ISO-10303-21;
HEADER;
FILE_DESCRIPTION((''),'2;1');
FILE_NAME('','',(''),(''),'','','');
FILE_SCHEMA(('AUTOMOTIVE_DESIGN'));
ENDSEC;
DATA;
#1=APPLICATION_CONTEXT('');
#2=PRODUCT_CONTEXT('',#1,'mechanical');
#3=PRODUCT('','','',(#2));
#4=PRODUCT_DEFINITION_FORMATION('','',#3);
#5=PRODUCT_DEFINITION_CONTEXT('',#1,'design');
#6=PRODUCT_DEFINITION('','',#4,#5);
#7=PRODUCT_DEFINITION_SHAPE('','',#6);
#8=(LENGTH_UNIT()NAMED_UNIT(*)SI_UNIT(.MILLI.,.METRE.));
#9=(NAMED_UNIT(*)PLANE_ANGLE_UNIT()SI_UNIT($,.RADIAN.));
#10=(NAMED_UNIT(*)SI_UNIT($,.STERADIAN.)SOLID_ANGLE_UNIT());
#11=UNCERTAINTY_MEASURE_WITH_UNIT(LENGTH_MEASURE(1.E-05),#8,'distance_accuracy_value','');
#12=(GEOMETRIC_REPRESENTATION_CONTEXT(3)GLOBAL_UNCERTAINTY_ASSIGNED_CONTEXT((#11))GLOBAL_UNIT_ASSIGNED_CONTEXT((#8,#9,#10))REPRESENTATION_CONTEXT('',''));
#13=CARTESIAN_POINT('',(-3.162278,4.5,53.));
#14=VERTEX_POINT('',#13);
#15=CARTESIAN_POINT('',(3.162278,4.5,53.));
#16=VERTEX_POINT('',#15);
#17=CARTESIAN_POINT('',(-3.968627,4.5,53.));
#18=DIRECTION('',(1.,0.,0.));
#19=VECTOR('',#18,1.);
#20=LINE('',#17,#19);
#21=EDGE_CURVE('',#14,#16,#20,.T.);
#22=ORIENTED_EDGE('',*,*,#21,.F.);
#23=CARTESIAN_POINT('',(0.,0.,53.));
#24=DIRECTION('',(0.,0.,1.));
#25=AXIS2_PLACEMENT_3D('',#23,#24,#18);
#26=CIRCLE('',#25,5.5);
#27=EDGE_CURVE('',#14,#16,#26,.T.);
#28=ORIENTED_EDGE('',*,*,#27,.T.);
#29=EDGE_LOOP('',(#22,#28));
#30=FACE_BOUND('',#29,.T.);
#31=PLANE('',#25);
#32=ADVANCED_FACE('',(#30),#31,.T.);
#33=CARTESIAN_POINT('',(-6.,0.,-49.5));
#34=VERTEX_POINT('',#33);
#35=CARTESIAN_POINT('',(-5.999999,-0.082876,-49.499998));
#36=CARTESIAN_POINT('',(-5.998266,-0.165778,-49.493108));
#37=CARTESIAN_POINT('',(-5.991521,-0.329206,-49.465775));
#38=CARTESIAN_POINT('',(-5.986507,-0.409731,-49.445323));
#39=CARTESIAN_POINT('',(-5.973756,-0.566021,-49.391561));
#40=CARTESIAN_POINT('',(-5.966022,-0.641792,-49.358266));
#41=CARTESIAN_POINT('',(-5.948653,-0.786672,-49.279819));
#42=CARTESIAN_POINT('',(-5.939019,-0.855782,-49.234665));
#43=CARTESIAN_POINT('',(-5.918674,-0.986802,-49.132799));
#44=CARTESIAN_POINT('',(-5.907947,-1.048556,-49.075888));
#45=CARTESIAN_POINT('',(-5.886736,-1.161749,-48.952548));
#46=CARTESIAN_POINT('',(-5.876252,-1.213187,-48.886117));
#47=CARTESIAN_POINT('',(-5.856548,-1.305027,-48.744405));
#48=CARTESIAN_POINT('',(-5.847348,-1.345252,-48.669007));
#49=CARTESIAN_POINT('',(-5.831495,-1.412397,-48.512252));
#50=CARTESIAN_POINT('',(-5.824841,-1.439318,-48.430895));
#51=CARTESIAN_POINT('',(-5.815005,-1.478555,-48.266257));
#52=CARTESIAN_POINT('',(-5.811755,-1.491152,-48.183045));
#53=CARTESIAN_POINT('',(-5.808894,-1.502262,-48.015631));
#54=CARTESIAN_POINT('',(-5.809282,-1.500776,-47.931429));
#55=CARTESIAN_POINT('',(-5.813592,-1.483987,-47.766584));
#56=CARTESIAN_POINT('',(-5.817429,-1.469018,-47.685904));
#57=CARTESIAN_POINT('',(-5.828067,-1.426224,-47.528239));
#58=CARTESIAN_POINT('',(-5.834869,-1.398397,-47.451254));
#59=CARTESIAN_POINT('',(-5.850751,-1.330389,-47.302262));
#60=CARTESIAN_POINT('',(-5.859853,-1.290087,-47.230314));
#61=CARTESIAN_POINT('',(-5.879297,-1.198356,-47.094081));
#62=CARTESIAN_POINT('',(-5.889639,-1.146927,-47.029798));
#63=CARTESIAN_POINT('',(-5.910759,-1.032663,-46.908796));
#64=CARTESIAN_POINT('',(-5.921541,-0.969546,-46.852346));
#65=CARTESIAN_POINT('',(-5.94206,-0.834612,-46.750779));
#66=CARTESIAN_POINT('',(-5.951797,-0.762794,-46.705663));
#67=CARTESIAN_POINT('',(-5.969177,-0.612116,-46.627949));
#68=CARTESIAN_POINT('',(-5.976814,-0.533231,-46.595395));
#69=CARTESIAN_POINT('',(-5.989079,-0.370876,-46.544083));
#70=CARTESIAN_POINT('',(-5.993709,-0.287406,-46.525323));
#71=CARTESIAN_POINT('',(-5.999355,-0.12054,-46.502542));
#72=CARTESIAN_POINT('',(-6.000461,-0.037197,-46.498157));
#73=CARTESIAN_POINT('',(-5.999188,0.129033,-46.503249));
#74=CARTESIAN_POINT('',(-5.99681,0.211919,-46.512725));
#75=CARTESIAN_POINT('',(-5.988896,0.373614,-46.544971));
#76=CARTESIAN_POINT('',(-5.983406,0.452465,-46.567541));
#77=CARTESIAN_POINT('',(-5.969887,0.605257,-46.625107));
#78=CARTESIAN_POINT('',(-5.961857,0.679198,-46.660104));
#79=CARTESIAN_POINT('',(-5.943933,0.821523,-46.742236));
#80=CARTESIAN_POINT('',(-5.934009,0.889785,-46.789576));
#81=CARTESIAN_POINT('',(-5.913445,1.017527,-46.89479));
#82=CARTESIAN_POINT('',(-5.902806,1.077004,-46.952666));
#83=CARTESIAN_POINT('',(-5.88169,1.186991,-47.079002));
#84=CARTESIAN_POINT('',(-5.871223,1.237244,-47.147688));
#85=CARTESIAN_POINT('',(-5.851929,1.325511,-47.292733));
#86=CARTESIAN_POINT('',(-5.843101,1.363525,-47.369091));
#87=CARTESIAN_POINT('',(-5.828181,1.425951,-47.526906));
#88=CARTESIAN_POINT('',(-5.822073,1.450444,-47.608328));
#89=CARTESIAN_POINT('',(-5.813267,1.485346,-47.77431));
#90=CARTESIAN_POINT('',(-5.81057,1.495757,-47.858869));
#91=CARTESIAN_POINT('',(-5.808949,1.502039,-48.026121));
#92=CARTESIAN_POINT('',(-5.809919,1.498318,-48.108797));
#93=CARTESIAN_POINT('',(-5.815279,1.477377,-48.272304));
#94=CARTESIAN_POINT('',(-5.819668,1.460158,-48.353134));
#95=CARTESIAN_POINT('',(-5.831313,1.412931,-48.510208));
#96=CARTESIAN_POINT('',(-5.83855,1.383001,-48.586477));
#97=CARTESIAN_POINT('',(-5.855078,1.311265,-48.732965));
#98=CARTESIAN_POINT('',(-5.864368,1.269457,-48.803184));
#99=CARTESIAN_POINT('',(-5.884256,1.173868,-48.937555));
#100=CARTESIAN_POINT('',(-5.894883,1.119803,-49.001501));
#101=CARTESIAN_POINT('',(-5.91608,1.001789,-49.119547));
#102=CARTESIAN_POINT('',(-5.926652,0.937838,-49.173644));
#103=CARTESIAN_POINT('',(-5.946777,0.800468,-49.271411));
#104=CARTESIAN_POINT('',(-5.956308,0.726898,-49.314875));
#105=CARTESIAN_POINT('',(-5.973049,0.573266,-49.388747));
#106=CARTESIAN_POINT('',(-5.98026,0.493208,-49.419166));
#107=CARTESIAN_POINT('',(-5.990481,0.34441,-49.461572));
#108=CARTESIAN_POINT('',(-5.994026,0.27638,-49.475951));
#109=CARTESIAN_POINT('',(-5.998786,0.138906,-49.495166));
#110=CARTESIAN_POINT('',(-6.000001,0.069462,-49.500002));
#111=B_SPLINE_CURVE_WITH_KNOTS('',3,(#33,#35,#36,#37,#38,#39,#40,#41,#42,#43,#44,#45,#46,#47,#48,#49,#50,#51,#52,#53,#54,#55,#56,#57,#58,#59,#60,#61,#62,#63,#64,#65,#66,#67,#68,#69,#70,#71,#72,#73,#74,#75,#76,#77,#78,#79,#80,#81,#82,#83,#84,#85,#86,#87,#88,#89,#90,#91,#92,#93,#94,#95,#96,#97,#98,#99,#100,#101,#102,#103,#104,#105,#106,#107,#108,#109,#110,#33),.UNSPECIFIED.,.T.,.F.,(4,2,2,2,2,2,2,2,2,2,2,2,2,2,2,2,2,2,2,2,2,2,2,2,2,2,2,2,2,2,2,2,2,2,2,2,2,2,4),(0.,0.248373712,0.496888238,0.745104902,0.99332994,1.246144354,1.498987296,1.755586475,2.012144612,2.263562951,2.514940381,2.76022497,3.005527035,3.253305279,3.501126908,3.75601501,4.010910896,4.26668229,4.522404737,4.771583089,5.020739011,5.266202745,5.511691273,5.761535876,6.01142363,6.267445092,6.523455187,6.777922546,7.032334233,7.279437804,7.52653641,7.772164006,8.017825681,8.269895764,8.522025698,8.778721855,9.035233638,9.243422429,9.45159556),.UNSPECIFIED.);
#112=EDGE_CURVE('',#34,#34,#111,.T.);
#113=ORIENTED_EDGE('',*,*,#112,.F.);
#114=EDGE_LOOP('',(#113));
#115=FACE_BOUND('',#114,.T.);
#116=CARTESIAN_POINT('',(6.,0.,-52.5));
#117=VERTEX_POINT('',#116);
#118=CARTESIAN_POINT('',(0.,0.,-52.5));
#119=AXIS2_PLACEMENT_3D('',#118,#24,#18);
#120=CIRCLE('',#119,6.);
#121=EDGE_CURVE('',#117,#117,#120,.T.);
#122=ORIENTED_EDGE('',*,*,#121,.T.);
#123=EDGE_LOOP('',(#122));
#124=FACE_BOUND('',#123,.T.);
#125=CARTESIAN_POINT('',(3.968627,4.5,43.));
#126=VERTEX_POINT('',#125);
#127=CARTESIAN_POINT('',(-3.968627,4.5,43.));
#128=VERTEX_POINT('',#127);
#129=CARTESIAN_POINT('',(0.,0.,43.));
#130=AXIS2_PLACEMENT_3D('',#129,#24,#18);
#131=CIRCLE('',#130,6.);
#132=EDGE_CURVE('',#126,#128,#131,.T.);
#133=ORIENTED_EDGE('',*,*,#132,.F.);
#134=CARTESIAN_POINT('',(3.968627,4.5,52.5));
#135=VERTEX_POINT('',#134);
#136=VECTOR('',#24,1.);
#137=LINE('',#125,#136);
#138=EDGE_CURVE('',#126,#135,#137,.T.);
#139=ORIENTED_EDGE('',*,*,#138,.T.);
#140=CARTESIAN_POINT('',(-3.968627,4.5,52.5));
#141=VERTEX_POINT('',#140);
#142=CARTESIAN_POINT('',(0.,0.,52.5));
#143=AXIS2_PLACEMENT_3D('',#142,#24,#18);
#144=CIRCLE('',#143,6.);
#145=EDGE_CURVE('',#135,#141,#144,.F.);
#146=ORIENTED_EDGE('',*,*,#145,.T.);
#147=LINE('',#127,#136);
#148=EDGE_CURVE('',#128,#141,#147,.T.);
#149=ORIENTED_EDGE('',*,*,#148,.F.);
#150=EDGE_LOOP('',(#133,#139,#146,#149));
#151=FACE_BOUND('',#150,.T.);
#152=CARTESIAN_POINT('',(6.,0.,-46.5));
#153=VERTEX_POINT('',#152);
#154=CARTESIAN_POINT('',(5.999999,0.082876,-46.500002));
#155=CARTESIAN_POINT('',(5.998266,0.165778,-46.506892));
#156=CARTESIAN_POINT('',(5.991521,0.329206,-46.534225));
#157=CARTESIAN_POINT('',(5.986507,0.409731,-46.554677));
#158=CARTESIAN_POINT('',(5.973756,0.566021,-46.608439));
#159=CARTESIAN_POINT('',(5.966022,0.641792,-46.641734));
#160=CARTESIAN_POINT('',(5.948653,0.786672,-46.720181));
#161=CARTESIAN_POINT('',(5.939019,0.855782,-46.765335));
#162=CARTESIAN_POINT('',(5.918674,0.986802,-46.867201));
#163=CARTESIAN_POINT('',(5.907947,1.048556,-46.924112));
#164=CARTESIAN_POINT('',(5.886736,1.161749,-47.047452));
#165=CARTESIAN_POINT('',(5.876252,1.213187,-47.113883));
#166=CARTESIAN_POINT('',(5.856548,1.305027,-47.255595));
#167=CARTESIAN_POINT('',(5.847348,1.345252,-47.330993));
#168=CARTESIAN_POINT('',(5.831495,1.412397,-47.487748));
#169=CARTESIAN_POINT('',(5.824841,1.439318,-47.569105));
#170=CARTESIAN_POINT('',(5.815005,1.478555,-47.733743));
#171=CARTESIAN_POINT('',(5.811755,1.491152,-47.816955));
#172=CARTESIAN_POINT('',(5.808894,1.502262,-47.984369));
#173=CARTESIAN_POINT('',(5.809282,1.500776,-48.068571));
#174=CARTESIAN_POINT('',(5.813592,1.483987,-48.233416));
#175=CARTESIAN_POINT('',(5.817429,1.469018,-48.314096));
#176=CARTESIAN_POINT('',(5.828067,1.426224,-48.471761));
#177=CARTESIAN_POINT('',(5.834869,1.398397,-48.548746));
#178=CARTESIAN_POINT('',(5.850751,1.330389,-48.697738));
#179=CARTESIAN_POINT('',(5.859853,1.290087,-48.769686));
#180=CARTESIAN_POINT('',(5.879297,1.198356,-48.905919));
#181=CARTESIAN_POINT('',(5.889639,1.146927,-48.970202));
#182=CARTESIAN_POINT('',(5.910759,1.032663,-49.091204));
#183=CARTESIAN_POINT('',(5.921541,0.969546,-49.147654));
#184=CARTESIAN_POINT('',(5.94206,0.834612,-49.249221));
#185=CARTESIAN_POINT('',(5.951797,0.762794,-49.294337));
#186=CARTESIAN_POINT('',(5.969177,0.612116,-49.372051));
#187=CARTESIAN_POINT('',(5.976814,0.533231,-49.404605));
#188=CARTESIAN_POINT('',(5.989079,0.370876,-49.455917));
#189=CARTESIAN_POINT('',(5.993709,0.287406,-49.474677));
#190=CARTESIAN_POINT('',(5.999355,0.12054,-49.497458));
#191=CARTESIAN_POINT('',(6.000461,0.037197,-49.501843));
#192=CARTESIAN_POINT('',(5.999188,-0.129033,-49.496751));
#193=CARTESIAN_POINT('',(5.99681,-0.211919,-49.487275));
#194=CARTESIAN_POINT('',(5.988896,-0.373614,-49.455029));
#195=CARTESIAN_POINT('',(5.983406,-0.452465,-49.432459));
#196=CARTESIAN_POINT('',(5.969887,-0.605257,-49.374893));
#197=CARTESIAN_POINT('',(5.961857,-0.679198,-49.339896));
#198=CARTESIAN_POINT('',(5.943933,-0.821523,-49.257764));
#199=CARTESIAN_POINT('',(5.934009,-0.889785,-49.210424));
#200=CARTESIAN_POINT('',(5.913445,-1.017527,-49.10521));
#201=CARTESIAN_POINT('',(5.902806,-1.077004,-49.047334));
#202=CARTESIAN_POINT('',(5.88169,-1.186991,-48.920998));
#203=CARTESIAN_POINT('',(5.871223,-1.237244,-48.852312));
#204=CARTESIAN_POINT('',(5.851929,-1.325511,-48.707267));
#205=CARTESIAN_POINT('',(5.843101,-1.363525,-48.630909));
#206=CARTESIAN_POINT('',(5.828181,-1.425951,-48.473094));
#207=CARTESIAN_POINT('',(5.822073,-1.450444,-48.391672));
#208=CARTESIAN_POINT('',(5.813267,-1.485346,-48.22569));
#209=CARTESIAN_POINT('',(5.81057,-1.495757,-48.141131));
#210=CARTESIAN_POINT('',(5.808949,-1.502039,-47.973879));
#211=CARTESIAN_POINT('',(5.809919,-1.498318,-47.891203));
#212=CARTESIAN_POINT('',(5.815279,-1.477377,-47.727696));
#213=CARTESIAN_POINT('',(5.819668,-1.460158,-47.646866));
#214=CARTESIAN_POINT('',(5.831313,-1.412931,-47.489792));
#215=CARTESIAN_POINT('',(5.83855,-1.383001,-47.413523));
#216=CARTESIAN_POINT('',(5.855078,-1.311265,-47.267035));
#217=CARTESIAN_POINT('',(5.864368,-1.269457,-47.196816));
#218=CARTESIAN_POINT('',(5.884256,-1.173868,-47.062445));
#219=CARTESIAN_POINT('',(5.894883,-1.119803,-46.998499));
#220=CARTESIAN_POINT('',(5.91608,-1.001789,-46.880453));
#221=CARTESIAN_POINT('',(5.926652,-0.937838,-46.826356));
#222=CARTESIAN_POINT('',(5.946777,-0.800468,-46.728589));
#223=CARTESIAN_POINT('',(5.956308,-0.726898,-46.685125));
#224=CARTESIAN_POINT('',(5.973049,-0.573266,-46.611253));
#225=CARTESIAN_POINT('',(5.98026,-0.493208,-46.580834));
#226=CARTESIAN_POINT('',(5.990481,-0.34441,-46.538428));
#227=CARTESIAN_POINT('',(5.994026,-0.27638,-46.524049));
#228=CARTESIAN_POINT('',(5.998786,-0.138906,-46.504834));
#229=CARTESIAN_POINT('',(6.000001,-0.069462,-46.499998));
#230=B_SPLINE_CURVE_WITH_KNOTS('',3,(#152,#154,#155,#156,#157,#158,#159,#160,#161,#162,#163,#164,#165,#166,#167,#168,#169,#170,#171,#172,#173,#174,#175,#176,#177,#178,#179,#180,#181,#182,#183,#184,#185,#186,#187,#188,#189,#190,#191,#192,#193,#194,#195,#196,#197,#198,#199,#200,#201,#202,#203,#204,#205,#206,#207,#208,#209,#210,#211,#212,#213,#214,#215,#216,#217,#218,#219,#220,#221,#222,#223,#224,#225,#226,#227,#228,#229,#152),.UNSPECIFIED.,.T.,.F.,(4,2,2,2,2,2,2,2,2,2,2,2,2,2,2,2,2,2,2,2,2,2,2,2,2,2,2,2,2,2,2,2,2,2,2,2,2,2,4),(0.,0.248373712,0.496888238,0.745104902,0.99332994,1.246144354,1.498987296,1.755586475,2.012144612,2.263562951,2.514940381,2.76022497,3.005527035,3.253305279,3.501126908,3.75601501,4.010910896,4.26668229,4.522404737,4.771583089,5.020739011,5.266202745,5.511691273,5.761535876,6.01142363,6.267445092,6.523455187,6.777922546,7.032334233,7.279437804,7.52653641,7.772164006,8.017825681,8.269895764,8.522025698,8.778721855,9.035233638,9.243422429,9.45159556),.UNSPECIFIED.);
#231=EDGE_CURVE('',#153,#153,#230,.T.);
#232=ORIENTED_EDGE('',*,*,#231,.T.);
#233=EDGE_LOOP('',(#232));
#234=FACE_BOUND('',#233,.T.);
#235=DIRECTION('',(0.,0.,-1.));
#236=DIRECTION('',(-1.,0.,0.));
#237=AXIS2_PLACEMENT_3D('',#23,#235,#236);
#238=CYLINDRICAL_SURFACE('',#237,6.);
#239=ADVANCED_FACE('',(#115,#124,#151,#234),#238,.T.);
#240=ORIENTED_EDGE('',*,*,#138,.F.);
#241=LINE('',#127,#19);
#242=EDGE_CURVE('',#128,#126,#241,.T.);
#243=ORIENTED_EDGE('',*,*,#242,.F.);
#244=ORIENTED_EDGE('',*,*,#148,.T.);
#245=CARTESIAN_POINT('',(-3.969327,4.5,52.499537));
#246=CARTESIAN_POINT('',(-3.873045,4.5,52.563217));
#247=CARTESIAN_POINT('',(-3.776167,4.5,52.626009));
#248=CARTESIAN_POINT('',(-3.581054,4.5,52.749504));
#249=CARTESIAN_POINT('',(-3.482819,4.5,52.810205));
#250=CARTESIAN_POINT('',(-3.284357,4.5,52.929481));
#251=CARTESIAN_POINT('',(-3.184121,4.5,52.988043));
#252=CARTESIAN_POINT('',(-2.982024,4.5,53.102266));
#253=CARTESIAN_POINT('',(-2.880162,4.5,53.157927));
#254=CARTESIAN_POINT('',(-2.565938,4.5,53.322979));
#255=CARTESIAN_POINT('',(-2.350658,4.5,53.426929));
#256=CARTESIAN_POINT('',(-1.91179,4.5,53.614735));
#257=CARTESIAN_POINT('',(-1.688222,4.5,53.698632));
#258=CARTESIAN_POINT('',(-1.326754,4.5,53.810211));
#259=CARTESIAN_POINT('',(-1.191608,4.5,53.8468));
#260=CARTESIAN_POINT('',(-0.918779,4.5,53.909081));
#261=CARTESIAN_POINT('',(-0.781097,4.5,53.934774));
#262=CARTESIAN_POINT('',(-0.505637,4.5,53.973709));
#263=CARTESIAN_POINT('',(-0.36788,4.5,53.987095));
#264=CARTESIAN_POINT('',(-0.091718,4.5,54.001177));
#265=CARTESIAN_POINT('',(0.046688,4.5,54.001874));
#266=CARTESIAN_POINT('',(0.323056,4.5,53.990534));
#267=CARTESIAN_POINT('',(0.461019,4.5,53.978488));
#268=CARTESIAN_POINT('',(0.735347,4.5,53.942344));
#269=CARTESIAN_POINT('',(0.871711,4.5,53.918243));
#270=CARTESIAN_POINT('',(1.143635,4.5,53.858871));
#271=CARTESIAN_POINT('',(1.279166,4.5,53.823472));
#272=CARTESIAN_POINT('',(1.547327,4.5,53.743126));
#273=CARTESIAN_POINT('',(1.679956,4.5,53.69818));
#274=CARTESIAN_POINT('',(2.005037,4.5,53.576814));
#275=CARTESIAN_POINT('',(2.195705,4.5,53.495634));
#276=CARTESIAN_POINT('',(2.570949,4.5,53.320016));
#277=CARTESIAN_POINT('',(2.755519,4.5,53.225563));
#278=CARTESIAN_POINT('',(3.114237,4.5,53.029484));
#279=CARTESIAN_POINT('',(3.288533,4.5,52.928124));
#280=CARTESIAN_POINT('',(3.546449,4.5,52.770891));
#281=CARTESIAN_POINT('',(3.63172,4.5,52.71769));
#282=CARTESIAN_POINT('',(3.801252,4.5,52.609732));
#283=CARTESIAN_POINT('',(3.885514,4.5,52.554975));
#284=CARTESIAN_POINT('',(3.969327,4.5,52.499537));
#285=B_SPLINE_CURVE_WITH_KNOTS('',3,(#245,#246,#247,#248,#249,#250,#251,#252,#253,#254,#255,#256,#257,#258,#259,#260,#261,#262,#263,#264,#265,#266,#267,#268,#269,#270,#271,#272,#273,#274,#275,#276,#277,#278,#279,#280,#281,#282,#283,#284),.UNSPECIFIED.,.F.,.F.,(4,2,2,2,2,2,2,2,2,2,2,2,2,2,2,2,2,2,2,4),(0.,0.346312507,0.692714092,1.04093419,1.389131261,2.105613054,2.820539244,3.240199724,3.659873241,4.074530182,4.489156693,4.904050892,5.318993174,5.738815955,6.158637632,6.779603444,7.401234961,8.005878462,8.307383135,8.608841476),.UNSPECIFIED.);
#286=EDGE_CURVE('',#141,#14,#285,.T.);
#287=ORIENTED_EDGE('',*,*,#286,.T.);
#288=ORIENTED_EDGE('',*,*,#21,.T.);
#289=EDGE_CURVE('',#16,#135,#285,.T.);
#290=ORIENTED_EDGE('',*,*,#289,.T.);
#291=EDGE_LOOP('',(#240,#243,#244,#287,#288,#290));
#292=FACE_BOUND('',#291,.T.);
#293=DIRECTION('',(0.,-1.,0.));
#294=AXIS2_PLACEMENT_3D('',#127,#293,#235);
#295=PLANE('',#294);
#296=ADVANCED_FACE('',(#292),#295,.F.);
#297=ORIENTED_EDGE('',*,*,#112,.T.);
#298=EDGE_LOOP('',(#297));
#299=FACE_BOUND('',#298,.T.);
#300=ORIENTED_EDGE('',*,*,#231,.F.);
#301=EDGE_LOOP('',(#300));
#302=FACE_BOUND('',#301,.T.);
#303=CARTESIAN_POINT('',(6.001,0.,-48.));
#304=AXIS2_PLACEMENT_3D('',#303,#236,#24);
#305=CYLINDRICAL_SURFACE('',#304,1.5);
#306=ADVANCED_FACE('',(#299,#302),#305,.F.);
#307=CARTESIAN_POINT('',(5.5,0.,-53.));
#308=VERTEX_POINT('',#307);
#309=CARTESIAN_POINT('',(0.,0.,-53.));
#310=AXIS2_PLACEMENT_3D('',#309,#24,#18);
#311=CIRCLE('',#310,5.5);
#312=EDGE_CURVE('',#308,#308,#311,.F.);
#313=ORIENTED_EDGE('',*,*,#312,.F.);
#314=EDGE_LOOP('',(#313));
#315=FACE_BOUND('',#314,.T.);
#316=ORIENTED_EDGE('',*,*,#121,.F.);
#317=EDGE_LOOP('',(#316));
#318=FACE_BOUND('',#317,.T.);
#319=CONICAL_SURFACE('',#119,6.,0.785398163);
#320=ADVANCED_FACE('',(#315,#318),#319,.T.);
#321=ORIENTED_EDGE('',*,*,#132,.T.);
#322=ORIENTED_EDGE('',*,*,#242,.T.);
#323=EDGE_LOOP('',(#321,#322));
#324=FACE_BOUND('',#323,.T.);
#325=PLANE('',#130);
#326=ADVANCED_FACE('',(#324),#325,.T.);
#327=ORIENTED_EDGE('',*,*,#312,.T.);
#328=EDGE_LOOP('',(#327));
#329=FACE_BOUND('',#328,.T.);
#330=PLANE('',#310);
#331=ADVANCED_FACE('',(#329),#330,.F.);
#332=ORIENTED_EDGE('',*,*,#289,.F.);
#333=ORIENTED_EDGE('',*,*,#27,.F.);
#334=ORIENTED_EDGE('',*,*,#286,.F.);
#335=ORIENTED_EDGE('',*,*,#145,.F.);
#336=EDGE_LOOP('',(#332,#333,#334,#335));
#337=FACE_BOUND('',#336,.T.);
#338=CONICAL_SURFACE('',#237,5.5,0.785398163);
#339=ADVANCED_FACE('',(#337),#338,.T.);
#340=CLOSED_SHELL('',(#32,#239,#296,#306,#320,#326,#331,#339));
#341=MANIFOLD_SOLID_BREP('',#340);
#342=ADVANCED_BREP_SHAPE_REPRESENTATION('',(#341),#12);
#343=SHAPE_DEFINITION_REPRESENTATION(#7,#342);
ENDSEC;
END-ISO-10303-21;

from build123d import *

# Parameters (mm, degrees)
SKETCH1_R              = 6
SHAFT_DEPTH            = 53
HOLE_REACH             = 8
SKETCH2_R              = 1.5
HOLE_DIRECTION_2_REACH = 8
F_0_5X45_CHAMFERS_SIZE = 0.5
FLAT_DEPTH             = 10


with BuildPart() as part:
    # Sketch1 → Shaft (new body, symmetric)
    with BuildSketch(Plane.XY):
        Circle(SKETCH1_R)
    extrude(amount=SHAFT_DEPTH, both=True)

    # Sketch2 → Hole (cut, up to next)
    with BuildSketch(Plane(origin=(0, 0, 0), x_dir=(0, 0, -1), z_dir=(1, 0, 0)), mode=Mode.PRIVATE) as hole_sk1:
        with Locations((48, 0)):
            Circle(SKETCH2_R)
    hole_tool1 = extrude(hole_sk1.sketch, amount=-HOLE_REACH, mode=Mode.PRIVATE) & part.part
    add(hole_tool1.solids().sort_by_distance((0, 0, -48))[0], mode=Mode.SUBTRACT)

    # Sketch2 → Hole direction 2 (cut, up to next)
    with BuildSketch(Plane(origin=(0, 0, 0), x_dir=(0, 0, -1), z_dir=(1, 0, 0)), mode=Mode.PRIVATE) as hole_direction_2_sk1:
        with Locations((48, 0)):
            Circle(SKETCH2_R)
    hole_direction_2_tool1 = extrude(hole_direction_2_sk1.sketch, amount=HOLE_DIRECTION_2_REACH, mode=Mode.PRIVATE) & part.part
    add(hole_direction_2_tool1.solids().sort_by_distance((0, 0, -48))[0], mode=Mode.SUBTRACT)

    # 0.5x45 Chamfers
    f_0_5x45_chamfers_edges = [part.edges().sort_by_distance(p)[0] for p in [
        (-6, 0, -53),
        (-6, 0, 53),
    ]]
    chamfer(f_0_5x45_chamfers_edges, length=F_0_5X45_CHAMFERS_SIZE)

    # Sketch4 → Flat (cut)
    with BuildSketch(Plane.XY.offset(53)):
        with BuildLine():
            Line((-3.968626967, 4.5), (3.968626967, 4.5))
            ThreePointArc((3.968626967, 4.5), (0, 6), (-3.968626967, 4.5))
        make_face()
    extrude(amount=-FLAT_DEPTH, mode=Mode.SUBTRACT)


solid = part.part
